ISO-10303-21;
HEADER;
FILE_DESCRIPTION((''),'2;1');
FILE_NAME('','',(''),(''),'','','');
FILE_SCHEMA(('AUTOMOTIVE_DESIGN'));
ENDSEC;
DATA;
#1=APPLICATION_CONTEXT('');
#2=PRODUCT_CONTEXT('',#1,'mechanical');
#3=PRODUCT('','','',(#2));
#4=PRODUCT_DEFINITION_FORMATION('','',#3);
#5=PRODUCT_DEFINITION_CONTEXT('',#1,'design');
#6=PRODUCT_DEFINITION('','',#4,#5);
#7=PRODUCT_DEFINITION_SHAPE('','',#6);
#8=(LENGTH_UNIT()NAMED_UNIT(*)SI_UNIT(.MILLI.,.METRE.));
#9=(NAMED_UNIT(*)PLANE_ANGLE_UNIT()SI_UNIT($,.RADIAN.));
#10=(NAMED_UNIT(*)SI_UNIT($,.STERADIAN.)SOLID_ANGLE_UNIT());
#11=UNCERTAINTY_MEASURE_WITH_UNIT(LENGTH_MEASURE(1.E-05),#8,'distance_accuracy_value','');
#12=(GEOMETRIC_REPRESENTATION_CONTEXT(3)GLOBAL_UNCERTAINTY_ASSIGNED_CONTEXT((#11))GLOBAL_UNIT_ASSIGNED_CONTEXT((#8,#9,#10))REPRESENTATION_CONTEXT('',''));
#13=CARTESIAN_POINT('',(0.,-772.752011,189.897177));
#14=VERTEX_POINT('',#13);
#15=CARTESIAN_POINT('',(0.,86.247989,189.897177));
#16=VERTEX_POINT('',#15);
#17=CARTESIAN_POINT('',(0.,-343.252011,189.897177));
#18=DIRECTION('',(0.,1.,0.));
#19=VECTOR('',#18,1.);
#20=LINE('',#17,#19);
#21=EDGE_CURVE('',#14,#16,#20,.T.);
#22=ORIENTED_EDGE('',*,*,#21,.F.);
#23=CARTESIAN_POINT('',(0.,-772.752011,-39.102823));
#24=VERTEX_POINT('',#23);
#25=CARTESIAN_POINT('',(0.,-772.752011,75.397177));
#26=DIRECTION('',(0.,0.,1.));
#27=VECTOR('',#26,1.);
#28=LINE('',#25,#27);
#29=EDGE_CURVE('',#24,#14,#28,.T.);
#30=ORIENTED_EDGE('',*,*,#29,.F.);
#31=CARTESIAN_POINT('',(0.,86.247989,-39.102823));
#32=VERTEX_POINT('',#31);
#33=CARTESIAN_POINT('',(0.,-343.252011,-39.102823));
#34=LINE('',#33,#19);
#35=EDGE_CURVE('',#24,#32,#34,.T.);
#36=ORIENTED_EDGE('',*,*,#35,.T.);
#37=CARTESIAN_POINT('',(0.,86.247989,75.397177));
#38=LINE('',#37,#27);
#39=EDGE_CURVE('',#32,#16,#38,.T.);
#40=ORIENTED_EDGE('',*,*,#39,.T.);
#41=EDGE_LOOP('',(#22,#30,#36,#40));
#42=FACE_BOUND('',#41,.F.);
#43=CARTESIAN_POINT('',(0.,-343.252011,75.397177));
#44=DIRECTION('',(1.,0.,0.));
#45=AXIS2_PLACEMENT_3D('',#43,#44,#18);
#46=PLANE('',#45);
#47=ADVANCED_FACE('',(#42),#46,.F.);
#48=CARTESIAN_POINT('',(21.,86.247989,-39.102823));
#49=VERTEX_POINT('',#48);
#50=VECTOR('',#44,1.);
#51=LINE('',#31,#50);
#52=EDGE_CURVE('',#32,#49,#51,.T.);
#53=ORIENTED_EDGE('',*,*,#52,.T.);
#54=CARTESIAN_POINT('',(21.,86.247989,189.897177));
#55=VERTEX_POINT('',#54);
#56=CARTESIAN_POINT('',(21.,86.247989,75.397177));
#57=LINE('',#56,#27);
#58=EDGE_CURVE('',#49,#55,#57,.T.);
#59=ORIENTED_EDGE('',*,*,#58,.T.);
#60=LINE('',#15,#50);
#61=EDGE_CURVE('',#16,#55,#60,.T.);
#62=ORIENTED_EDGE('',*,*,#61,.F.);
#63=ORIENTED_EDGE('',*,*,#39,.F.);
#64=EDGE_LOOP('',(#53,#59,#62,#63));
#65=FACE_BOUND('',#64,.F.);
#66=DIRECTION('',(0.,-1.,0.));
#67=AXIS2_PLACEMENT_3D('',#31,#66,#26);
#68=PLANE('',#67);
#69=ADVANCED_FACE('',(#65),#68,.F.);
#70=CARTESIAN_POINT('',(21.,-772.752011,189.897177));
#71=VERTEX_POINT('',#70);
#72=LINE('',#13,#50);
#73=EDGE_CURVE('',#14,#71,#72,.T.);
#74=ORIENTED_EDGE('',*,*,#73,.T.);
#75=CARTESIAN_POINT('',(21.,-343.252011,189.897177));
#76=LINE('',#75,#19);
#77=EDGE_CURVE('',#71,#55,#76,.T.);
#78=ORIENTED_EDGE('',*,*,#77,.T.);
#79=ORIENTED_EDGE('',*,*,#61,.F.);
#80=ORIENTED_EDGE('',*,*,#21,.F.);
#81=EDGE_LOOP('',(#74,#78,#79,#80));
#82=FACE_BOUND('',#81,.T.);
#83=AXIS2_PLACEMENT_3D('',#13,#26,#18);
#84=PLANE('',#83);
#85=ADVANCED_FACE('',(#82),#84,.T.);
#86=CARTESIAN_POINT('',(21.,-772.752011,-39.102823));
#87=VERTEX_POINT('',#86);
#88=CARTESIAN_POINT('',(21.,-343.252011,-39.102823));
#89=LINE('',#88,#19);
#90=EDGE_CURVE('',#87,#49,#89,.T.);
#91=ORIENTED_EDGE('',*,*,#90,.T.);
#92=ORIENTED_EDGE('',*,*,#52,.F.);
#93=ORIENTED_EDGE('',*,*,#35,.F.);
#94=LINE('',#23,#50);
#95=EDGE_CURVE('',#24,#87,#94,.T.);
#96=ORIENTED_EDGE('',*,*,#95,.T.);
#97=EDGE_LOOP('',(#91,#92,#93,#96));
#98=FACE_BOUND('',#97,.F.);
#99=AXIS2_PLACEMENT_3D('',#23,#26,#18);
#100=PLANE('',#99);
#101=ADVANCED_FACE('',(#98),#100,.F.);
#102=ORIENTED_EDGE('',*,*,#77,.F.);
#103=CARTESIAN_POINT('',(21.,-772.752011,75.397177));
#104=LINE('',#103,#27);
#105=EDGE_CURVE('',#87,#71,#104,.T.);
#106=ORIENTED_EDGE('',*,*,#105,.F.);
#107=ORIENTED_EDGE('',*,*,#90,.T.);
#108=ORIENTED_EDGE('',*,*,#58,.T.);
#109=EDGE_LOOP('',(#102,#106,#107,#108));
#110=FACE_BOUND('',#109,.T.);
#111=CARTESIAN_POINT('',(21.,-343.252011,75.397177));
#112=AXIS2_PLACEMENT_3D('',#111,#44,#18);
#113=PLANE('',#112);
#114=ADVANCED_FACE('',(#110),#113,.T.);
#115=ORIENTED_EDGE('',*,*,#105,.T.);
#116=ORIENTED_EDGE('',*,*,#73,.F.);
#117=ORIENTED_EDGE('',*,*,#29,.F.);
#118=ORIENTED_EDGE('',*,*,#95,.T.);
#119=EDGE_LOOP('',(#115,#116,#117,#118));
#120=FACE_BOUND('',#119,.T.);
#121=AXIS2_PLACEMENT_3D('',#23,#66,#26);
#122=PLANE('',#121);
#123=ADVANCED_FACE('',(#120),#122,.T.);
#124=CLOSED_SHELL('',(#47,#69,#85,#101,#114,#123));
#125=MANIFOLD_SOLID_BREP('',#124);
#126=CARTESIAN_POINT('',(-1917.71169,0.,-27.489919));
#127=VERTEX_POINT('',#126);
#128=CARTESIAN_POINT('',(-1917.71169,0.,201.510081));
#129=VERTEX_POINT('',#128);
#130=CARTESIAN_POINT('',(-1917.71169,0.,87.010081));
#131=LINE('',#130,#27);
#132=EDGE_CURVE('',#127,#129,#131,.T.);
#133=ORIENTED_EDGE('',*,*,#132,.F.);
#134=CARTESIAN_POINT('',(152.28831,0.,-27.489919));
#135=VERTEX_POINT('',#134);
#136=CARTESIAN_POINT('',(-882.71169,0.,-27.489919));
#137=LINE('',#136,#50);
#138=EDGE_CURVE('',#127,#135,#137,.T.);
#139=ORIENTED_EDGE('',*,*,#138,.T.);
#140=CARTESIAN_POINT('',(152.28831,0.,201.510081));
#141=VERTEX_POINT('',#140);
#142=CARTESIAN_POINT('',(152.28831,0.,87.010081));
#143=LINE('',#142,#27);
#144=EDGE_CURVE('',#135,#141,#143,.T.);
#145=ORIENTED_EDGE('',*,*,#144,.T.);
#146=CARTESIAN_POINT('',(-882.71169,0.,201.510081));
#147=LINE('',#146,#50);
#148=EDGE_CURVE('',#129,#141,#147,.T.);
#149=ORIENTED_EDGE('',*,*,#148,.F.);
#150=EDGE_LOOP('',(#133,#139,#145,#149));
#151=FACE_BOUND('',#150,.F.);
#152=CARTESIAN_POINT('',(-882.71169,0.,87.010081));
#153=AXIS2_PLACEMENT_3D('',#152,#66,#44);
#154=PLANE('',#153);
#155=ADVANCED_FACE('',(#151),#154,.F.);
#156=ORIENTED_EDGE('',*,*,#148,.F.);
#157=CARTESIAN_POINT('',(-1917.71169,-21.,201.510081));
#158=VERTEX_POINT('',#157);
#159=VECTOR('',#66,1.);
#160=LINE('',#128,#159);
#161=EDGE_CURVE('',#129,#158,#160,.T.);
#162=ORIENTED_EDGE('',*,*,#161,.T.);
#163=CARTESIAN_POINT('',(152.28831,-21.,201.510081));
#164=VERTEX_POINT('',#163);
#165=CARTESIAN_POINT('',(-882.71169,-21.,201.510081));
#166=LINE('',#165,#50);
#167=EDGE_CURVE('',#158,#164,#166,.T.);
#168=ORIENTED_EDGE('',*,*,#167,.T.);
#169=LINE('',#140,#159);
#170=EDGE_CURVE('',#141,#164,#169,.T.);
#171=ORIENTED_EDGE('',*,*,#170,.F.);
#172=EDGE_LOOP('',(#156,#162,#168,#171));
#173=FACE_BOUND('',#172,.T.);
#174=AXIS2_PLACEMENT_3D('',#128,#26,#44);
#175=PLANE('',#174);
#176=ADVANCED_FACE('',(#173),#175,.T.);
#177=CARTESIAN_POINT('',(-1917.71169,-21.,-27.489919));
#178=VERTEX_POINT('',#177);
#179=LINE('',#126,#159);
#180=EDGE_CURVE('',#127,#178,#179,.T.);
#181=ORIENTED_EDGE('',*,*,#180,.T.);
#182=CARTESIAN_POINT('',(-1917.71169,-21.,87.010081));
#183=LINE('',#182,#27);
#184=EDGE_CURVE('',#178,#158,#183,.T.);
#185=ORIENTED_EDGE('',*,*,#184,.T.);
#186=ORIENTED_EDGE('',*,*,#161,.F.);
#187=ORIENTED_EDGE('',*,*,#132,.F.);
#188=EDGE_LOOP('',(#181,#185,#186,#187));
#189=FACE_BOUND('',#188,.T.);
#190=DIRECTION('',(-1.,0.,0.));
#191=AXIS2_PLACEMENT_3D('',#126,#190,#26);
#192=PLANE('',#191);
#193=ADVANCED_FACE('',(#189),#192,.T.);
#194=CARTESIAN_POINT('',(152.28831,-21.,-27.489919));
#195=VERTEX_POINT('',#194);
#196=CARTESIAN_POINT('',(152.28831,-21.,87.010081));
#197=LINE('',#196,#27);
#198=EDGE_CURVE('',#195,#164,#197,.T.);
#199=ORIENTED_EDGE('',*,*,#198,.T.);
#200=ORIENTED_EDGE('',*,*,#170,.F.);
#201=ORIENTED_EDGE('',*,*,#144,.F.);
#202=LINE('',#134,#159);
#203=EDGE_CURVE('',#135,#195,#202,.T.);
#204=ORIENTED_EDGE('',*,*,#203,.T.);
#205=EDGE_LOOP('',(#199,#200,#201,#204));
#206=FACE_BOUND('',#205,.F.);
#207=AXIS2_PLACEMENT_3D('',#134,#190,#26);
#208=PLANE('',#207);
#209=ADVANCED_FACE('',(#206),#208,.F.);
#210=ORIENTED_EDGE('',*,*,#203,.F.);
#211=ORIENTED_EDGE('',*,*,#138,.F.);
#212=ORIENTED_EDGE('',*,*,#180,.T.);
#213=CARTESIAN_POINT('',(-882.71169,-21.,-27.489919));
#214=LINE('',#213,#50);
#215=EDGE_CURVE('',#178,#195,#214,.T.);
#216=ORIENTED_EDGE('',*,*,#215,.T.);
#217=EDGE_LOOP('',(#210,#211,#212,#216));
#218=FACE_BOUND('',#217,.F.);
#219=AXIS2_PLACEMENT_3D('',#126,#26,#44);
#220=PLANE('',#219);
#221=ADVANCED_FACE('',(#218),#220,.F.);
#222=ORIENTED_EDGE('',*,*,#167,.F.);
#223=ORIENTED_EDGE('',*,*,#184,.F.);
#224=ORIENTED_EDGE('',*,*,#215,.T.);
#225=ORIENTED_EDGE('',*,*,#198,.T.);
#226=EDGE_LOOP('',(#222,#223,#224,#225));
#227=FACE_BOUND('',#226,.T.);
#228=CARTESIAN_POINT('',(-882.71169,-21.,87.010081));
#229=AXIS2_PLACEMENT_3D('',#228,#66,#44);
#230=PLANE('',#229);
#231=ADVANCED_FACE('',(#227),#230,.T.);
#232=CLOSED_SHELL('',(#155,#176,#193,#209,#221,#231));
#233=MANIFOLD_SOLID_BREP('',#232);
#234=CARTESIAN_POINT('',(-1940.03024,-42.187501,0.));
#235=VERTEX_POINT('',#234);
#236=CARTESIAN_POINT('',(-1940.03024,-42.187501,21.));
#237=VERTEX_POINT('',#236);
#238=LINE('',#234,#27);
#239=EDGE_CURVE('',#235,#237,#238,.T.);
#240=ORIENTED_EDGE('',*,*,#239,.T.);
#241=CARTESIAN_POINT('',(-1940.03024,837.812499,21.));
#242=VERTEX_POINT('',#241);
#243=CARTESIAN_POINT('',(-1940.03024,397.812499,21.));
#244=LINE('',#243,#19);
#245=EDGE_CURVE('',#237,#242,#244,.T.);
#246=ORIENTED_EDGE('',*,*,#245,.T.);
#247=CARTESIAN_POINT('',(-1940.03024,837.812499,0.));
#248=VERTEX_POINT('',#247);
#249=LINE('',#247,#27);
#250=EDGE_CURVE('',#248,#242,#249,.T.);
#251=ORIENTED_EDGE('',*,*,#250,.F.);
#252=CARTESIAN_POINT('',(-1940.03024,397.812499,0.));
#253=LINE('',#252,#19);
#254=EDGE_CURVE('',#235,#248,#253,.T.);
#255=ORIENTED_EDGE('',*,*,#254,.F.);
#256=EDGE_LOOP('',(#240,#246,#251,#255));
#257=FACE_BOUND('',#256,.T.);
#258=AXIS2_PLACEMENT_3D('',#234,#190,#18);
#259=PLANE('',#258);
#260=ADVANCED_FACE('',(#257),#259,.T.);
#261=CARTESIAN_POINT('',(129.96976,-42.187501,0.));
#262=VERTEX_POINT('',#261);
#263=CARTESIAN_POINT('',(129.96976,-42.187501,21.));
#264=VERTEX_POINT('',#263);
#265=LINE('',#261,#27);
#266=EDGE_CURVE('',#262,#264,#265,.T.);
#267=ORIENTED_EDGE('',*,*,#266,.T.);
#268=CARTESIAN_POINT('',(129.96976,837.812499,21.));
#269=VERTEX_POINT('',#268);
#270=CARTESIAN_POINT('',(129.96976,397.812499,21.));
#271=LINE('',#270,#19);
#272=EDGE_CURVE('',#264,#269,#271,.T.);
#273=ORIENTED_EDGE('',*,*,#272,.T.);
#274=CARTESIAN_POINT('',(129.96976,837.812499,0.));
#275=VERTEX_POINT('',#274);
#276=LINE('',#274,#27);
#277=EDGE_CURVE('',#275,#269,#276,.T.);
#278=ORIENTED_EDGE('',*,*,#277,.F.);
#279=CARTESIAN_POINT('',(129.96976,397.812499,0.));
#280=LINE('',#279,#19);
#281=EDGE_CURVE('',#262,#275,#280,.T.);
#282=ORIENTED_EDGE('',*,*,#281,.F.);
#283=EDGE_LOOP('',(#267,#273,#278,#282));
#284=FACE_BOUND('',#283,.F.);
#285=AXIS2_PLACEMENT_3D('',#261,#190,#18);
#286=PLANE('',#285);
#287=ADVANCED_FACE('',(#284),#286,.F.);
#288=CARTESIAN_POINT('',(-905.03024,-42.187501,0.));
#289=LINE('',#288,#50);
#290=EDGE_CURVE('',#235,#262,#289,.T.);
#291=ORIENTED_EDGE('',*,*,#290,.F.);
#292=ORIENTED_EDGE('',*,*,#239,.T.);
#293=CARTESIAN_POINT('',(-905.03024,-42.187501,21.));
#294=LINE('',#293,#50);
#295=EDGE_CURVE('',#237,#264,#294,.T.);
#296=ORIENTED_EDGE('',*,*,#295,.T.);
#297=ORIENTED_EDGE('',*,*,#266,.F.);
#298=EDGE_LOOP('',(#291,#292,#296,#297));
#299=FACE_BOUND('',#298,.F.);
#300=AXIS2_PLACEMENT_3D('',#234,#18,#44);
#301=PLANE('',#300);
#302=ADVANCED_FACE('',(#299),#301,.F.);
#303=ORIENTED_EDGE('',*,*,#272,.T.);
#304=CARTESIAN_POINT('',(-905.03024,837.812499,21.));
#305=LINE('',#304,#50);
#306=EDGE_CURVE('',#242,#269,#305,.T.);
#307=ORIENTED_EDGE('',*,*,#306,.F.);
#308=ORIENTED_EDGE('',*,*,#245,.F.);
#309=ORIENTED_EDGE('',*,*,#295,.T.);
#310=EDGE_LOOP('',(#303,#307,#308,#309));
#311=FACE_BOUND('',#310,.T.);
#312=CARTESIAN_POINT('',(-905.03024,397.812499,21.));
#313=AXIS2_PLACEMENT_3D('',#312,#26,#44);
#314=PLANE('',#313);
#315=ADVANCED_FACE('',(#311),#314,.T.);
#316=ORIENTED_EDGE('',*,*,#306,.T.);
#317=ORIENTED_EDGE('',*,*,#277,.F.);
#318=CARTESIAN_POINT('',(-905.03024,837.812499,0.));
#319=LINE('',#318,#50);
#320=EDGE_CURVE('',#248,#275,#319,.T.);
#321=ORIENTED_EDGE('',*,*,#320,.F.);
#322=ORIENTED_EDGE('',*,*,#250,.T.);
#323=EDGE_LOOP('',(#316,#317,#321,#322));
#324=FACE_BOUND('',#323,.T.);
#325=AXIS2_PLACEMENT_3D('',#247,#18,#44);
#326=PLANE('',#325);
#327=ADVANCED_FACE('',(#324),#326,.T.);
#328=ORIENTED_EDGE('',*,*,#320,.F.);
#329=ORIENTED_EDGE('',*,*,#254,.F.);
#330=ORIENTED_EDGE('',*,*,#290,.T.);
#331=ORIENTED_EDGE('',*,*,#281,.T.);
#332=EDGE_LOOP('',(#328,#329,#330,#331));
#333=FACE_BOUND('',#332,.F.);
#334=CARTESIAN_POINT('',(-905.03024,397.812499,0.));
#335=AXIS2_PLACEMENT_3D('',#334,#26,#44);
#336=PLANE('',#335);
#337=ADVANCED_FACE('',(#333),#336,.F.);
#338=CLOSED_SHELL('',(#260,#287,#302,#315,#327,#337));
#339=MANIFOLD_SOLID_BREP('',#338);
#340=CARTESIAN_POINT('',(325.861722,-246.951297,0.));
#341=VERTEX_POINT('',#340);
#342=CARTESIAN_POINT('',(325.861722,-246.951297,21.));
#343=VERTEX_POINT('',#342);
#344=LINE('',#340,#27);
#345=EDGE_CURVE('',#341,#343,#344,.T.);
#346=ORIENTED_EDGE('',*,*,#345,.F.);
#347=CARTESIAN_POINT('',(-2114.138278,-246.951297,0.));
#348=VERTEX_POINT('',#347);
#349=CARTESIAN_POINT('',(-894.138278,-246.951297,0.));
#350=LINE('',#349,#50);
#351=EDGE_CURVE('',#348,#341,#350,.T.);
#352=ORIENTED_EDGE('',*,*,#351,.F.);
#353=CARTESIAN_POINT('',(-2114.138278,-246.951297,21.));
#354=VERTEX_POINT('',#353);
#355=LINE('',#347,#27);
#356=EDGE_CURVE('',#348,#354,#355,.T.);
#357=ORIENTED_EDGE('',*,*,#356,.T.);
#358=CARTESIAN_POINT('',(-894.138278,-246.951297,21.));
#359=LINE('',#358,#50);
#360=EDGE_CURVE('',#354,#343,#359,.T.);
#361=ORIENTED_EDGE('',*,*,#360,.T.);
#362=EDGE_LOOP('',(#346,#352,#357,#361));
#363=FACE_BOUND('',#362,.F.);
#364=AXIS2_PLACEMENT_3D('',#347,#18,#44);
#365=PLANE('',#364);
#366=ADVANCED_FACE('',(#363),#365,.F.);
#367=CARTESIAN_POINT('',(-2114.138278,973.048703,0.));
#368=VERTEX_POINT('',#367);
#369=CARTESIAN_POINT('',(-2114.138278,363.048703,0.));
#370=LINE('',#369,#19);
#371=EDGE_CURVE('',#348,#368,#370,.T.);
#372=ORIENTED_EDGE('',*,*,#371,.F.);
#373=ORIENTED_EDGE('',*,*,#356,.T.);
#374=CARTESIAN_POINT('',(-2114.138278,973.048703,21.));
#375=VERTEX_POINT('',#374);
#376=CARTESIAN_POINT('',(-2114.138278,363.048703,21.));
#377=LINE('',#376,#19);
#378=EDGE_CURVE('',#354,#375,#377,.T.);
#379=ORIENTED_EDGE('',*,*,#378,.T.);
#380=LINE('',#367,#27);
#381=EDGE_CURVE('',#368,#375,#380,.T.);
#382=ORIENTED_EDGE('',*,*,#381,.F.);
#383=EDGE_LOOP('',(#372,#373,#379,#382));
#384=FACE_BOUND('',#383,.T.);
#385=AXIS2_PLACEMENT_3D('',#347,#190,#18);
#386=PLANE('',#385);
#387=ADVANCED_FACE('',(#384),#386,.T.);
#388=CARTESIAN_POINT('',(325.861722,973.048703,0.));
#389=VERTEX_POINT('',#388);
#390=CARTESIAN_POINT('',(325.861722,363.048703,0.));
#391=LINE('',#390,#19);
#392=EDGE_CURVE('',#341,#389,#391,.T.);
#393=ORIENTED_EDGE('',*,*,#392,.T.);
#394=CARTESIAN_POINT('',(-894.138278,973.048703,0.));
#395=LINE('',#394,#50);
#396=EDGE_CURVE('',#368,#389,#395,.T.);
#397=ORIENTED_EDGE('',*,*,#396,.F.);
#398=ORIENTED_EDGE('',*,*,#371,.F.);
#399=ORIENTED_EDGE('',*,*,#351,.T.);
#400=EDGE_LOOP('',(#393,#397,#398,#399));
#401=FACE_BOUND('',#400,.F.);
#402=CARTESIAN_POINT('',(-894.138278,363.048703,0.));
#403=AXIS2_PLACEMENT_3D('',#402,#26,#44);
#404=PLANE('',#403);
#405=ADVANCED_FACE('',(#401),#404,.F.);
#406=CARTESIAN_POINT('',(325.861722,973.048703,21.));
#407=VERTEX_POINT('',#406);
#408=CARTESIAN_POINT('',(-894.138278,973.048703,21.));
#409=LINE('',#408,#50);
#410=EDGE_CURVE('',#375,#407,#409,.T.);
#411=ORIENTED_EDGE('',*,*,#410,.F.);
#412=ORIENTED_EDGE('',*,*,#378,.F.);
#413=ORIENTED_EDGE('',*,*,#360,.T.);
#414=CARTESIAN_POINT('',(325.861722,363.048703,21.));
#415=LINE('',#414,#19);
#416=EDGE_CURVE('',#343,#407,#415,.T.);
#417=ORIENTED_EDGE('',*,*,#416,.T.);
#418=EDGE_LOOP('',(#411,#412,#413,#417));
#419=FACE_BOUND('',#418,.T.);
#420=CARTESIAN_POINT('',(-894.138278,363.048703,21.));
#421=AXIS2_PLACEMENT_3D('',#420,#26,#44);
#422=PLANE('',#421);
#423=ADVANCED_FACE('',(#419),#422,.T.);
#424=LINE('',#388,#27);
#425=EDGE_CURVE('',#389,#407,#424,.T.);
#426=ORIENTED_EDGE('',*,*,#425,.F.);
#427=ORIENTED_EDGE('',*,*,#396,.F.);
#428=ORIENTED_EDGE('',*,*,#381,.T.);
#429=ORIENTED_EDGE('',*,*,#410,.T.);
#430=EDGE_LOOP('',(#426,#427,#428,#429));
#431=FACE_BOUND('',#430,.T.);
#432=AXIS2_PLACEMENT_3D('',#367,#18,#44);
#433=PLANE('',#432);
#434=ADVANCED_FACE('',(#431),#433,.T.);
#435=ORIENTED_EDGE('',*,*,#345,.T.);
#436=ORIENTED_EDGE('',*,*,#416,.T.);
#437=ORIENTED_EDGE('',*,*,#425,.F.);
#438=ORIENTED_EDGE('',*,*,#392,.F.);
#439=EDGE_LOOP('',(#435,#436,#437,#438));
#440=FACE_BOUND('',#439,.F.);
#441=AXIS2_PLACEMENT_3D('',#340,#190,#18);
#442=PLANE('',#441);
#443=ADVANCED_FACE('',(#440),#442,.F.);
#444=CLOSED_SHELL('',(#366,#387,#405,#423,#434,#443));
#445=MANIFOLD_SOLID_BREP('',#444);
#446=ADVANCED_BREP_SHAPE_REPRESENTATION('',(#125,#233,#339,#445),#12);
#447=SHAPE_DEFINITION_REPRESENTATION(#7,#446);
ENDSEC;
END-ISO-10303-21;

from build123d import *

# Parameters (mm, degrees)
F0_W     = 2070
F0_H     = 880
F1_DEPTH = 21
F2_W     = 2070
F2_H     = 229
F3_DEPTH = 21
F4_W     = 859
F4_H     = 229
F5_DEPTH = 21
F6_W     = 2440
F6_H     = 1220
F7_DEPTH = 21


with BuildPart() as f1:
    # F0 (on Top) → F1 (new body)
    with BuildSketch(Plane.XY):
        with Locations((-905.03024, 397.812499)):
            Rectangle(F0_W, F0_H)
    extrude(amount=F1_DEPTH)


with BuildPart() as f3:
    # F2 (on Front) → F3 (new body)
    with BuildSketch(Plane.XZ):
        with Locations((-882.71169, 87.010081)):
            Rectangle(F2_W, F2_H)
    extrude(amount=F3_DEPTH)


with BuildPart() as f5:
    # F4 (on Right) → F5 (new body)
    with BuildSketch(Plane.YZ):
        with Locations((-343.252011, 75.397177)):
            Rectangle(F4_W, F4_H)
    extrude(amount=F5_DEPTH)


with BuildPart() as f7:
    # F6 (on Top) → F7 (new body)
    with BuildSketch(Plane.XY):
        with Locations((-894.138278, 363.048703)):
            Rectangle(F6_W, F6_H)
    extrude(amount=F7_DEPTH)


solid = Compound([f1.part, f3.part, f5.part, f7.part])
